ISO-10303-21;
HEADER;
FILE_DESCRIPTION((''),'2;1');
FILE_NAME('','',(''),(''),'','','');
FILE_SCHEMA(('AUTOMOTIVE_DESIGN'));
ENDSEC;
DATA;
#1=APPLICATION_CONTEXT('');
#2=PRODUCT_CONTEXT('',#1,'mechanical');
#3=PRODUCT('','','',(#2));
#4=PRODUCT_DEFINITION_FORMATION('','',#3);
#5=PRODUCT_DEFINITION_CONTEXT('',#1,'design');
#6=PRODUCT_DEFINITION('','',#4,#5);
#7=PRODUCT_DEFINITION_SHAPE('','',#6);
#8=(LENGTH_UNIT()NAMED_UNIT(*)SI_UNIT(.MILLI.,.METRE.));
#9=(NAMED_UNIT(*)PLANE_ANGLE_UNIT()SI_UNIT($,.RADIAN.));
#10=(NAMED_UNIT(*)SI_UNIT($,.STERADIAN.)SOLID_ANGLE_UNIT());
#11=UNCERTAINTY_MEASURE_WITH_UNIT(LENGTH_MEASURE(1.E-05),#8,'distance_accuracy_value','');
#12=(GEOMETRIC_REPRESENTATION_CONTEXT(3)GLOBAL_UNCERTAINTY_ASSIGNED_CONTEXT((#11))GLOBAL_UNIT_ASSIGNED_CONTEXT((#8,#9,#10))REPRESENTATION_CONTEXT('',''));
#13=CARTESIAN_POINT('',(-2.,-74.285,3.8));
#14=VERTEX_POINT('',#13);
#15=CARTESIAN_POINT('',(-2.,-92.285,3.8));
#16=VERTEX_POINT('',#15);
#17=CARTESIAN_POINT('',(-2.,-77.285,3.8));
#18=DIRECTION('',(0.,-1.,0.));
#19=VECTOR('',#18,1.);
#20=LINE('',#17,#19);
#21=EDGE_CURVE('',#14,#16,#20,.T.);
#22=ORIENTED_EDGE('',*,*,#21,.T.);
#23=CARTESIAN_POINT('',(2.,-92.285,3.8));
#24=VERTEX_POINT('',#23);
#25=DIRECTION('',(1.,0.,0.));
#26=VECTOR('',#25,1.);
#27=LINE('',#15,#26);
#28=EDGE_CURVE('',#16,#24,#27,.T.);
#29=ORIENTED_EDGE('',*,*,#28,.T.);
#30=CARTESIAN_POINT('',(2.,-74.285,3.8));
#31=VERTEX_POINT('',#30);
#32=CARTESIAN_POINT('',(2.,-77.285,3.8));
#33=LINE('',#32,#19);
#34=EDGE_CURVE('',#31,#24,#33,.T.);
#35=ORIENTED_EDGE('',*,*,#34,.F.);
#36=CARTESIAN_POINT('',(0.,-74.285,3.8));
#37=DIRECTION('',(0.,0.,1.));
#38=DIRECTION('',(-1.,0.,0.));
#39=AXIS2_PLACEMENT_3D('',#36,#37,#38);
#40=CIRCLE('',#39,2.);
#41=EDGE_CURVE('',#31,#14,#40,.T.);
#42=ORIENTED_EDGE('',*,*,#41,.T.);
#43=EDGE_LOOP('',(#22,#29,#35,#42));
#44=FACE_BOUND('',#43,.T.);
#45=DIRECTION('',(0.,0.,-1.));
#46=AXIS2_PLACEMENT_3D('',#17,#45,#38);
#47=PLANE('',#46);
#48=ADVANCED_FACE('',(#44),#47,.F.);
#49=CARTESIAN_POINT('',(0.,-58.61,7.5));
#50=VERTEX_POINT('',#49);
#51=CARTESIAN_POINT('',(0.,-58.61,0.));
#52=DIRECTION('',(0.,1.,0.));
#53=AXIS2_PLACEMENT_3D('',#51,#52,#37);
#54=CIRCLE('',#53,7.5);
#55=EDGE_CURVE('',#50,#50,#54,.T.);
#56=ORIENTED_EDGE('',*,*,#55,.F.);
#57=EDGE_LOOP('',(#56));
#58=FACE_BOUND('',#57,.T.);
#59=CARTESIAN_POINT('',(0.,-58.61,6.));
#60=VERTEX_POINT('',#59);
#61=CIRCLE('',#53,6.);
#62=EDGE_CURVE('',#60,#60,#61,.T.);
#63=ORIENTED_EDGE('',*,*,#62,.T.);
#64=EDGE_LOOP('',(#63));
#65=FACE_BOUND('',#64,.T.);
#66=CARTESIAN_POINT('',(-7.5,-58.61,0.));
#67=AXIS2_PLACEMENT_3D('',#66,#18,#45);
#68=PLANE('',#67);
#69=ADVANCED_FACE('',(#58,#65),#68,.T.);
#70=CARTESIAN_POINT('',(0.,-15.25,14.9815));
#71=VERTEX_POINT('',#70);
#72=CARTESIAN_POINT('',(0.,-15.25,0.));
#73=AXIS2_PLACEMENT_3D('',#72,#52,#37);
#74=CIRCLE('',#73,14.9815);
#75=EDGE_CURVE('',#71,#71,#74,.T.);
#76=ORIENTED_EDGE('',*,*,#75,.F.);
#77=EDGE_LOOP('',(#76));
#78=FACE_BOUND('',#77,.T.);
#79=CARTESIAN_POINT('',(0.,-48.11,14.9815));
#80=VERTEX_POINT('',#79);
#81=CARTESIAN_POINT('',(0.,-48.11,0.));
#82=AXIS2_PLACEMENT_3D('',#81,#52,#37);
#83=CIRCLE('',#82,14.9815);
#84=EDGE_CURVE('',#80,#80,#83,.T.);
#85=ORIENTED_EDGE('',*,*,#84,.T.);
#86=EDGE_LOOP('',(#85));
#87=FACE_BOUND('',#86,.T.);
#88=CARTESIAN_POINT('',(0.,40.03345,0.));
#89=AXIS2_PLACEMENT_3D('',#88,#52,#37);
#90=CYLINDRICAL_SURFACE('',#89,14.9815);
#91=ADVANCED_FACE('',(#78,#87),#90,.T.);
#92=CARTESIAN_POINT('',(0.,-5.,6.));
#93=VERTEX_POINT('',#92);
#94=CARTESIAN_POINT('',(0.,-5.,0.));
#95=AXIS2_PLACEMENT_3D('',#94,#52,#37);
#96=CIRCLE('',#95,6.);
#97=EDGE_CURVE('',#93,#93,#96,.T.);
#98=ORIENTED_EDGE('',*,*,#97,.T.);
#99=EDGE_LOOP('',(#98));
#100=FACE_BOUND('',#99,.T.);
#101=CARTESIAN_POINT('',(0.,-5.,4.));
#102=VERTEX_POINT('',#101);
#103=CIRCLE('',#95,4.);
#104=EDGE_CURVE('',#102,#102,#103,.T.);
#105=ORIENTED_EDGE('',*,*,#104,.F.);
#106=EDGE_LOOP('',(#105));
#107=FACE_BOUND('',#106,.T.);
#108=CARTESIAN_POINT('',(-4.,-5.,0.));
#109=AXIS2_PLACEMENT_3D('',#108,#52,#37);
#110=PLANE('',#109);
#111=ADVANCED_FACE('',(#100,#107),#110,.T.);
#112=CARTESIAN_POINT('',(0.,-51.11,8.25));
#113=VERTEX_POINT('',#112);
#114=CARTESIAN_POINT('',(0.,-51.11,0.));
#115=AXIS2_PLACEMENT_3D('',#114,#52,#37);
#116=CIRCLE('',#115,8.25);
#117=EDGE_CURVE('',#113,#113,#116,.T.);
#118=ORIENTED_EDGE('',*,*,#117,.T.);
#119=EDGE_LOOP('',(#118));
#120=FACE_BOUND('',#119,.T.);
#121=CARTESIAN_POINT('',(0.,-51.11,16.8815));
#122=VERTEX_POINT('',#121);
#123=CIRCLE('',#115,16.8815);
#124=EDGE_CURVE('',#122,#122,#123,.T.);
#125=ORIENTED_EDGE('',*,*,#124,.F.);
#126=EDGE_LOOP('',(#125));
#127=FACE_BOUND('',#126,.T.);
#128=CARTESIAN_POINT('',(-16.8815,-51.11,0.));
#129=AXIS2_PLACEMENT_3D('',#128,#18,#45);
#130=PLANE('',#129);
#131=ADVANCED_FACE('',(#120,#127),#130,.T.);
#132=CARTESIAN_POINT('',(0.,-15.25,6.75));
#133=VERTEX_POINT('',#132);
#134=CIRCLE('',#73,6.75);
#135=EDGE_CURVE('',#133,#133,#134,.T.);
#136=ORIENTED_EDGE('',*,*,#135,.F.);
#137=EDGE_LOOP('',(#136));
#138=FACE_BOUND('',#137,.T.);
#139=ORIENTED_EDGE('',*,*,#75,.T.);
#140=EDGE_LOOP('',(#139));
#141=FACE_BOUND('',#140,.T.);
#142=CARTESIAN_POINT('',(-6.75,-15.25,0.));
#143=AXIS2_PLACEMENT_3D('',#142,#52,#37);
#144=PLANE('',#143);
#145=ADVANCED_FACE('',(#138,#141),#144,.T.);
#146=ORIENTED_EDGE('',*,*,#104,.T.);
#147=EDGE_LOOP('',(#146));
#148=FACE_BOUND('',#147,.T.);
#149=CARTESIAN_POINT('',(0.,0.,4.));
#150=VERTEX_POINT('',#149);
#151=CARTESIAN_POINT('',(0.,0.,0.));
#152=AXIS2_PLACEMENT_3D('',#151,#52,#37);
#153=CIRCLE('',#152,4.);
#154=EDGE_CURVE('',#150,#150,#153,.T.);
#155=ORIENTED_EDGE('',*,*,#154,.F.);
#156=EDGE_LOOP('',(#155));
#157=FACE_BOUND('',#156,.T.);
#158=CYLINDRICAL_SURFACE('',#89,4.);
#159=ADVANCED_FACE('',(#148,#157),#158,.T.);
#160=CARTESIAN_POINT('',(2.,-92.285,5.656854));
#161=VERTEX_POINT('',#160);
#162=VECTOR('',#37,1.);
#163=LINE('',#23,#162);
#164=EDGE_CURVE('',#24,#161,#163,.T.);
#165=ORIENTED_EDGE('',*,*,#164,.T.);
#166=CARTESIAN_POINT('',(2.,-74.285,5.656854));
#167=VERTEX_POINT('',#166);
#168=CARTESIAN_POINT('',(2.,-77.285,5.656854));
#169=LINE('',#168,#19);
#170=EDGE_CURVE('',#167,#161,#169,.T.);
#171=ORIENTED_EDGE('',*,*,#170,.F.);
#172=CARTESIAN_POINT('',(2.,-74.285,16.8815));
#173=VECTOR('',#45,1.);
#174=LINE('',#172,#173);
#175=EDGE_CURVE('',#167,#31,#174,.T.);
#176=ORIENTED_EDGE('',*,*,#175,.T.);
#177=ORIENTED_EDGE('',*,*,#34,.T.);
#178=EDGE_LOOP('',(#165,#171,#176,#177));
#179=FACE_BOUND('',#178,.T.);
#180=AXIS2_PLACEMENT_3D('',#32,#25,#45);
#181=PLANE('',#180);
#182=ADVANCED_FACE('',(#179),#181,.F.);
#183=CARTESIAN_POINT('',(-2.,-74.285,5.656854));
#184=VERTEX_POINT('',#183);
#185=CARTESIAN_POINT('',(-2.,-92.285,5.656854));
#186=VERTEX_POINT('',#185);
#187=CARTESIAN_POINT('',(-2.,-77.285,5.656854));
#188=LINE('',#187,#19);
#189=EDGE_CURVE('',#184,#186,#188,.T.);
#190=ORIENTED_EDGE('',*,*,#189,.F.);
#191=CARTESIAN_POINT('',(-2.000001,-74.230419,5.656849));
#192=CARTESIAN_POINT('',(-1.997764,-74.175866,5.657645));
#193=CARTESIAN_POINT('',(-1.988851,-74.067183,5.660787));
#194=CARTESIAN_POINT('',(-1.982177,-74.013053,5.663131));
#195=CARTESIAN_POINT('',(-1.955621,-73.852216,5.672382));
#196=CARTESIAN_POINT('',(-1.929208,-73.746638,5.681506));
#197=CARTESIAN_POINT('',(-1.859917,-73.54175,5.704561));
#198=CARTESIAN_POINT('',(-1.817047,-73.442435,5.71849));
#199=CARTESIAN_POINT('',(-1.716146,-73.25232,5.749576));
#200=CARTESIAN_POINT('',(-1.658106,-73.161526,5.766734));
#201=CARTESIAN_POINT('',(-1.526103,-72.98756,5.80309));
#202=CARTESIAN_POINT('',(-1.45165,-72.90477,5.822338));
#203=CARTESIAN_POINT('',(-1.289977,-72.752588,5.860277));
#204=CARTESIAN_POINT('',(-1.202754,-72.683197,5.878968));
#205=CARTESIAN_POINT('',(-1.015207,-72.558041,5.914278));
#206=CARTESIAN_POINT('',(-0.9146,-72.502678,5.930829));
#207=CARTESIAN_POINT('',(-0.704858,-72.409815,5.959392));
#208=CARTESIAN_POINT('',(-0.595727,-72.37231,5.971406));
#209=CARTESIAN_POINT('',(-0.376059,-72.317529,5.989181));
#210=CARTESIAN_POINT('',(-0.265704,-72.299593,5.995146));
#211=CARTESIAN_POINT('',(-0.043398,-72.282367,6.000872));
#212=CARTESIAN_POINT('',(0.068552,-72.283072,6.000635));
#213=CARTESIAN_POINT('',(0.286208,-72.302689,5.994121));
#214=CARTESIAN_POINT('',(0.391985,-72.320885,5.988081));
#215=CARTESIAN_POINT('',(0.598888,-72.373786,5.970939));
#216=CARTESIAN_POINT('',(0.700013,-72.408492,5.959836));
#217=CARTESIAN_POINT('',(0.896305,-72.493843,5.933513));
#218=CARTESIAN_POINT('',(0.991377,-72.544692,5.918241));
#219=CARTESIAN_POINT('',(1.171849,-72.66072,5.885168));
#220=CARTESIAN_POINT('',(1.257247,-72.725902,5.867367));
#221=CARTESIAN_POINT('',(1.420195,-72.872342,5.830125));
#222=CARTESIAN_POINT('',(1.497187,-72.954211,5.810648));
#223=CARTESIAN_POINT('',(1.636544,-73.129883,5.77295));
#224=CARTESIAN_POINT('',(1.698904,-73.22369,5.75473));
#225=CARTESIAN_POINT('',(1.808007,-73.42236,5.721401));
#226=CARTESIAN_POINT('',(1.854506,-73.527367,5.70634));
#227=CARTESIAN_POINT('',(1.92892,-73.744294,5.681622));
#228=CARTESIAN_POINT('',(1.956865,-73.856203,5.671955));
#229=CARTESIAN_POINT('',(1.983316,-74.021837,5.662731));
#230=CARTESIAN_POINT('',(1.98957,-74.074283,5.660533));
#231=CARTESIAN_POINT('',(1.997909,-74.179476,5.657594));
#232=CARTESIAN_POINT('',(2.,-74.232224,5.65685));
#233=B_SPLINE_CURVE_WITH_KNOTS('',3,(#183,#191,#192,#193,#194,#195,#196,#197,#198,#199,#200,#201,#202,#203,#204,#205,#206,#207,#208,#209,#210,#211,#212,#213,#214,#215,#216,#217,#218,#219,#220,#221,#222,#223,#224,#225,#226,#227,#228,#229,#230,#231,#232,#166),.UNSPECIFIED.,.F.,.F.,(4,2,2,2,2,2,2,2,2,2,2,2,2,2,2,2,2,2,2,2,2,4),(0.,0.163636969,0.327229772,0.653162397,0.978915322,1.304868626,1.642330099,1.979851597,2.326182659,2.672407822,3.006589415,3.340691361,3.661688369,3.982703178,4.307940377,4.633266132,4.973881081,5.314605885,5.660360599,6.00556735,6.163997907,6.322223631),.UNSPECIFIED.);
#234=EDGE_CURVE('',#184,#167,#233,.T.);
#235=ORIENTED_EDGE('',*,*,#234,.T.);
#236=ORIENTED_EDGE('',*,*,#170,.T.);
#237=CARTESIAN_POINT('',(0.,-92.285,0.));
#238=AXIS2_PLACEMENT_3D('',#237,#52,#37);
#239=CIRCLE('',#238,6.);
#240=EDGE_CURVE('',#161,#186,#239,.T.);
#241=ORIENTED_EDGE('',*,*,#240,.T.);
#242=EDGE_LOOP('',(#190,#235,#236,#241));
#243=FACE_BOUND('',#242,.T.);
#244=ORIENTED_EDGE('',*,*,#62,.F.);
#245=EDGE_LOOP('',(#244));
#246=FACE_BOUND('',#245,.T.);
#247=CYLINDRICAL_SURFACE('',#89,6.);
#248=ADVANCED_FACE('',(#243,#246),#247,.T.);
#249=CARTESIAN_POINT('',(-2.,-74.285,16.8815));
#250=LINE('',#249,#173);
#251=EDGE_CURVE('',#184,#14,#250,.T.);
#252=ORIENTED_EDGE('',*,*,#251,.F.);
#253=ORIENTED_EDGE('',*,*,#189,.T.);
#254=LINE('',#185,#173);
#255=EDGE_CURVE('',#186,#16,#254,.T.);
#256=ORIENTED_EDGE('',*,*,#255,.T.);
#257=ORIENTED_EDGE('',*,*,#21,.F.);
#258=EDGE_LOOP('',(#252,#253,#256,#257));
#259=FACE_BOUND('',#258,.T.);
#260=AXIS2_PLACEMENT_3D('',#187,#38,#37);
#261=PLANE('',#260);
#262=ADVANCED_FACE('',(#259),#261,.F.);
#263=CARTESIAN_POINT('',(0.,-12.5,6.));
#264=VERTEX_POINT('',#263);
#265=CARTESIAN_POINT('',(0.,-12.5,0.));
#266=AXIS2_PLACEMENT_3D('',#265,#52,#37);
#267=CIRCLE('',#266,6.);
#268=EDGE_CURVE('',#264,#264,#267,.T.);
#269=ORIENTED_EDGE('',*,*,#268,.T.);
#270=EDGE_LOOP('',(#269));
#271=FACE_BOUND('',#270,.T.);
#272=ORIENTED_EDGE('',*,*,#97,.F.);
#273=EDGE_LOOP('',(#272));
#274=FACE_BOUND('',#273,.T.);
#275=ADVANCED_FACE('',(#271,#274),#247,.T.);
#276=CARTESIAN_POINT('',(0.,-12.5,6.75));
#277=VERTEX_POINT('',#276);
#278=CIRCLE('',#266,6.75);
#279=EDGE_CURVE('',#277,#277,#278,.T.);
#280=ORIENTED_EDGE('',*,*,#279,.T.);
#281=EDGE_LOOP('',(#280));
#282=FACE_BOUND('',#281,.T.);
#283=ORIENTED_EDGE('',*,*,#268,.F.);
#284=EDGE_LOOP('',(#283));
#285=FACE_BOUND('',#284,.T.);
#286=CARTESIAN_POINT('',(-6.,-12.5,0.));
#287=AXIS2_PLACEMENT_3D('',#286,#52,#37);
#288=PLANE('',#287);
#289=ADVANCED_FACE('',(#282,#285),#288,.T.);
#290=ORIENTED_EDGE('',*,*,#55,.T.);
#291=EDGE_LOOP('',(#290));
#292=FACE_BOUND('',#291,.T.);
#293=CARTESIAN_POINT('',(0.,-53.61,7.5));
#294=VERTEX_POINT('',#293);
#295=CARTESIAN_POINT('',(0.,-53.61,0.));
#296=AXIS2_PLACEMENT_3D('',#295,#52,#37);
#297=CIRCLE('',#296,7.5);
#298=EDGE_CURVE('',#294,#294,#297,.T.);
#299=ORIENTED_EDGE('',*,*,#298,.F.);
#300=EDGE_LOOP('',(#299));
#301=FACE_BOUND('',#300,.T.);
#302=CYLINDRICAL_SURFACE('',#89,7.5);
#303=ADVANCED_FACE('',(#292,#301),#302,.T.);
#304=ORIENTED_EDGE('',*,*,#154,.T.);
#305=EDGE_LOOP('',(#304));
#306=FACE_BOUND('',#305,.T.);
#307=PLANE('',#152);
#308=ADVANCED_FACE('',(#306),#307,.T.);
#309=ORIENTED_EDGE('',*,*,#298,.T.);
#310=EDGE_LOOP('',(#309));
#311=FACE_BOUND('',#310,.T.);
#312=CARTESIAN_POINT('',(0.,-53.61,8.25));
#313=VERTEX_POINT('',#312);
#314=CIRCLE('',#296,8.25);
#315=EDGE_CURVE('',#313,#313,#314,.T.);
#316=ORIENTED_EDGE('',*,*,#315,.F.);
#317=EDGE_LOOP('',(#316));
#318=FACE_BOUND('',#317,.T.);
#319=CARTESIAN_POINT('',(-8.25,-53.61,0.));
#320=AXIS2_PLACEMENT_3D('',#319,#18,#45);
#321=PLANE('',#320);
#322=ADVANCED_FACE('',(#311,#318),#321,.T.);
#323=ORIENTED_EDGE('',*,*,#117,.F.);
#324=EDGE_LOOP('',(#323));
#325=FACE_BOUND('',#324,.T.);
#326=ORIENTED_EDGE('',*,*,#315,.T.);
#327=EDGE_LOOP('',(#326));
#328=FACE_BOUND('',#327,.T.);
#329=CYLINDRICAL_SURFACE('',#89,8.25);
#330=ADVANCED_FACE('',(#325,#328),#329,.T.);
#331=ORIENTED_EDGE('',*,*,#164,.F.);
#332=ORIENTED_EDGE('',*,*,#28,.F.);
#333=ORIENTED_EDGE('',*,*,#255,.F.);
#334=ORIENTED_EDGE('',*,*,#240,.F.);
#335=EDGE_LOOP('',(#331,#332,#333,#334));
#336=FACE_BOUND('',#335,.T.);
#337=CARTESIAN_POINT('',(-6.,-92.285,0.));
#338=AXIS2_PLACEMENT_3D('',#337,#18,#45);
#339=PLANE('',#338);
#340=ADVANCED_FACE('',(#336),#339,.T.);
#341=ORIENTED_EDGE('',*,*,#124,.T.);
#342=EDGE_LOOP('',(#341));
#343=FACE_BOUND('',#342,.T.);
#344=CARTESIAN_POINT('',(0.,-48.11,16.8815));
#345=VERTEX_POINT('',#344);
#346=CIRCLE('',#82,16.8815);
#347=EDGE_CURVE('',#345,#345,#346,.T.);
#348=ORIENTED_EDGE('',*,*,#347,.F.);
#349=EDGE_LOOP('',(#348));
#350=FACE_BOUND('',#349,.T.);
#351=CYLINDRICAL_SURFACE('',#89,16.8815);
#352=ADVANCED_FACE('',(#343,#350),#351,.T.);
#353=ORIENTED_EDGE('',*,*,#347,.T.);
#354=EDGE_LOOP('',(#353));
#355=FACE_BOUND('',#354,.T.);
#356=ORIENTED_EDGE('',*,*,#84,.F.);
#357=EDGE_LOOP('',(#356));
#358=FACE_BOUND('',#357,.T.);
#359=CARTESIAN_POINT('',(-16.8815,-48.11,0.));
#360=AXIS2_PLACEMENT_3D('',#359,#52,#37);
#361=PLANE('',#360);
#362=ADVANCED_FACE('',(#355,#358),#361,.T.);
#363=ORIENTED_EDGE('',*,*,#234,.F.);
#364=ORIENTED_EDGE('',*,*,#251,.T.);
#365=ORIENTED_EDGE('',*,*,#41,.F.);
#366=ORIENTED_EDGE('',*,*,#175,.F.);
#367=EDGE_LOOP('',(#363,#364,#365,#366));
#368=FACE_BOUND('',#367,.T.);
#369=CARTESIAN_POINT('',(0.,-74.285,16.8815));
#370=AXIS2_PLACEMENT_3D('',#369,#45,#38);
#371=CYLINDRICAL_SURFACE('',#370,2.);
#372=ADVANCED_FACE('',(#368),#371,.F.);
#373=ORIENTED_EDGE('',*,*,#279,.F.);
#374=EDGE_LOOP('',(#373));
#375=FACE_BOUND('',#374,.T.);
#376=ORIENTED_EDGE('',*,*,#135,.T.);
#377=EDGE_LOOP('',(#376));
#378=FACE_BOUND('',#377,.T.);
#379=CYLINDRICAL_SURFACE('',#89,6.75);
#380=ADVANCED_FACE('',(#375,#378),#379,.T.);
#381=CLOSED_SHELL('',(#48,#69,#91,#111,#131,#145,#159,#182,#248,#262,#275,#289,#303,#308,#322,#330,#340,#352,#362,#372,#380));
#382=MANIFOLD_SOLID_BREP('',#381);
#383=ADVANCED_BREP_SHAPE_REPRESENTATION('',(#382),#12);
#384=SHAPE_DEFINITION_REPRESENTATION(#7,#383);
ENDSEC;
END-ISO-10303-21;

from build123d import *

# Parameters (mm, degrees)
CUT_EXTRUDE1_DEPTH = 15
CUT_EXTRUDE2_DEPTH = 97.068885231


with BuildPart() as part:
    # Sketch2 → Revolve1 (revolve)
    with BuildSketch(Plane.XY, mode=Mode.PRIVATE) as revolve1_sk:
        Polygon((0, 0), (-4, 0), (-4, -5), (-6, -5), (-6, -12.5), (-6.75, -12.5), (-6.75, -15.25), (-14.9815, -15.25), (-14.9815, -48.11), (-16.8815, -48.11), (-16.8815, -51.11), (-8.25, -51.11), (-8.25, -53.61), (-7.5, -53.61), (-7.5, -58.61), (-6, -58.61), (-6, -92.285), (0, -92.285), align=None)
    revolve(revolve1_sk.sketch.rotate(Axis((0, 40.033449689, 0), (0, -1, 0)), 270), axis=Axis((0, 40.033449689, 0), (0, -1, 0)))

    # Sketch3 → Cut-Extrude1 (cut)
    with BuildSketch(Plane.XZ.offset(92.285)):
        with BuildLine():
            Line((-2, 5.656854249), (-2, 3.8))
            Line((-2, 3.8), (2, 3.8))
            Line((2, 3.8), (2, 5.656854249))
            ThreePointArc((2, 5.656854249), (0, 6), (-2, 5.656854249))
        make_face()
    extrude(amount=-CUT_EXTRUDE1_DEPTH, mode=Mode.SUBTRACT)

    # Sketch4 → Cut-Extrude2 (cut, through all)
    with BuildSketch(Plane.XY.offset(3.8)):
        with BuildLine():
            Line((-2, -77.285), (-2, -74.285))
            ThreePointArc((-2, -74.285), (0, -72.285), (2, -74.285))
            Line((2, -74.285), (2, -77.285))
            Line((2, -77.285), (2, -92.285))
            Line((2, -92.285), (-2, -92.285))
            Line((-2, -92.285), (-2, -77.285))
        make_face()
    extrude(amount=CUT_EXTRUDE2_DEPTH, mode=Mode.SUBTRACT)


solid = part.part
